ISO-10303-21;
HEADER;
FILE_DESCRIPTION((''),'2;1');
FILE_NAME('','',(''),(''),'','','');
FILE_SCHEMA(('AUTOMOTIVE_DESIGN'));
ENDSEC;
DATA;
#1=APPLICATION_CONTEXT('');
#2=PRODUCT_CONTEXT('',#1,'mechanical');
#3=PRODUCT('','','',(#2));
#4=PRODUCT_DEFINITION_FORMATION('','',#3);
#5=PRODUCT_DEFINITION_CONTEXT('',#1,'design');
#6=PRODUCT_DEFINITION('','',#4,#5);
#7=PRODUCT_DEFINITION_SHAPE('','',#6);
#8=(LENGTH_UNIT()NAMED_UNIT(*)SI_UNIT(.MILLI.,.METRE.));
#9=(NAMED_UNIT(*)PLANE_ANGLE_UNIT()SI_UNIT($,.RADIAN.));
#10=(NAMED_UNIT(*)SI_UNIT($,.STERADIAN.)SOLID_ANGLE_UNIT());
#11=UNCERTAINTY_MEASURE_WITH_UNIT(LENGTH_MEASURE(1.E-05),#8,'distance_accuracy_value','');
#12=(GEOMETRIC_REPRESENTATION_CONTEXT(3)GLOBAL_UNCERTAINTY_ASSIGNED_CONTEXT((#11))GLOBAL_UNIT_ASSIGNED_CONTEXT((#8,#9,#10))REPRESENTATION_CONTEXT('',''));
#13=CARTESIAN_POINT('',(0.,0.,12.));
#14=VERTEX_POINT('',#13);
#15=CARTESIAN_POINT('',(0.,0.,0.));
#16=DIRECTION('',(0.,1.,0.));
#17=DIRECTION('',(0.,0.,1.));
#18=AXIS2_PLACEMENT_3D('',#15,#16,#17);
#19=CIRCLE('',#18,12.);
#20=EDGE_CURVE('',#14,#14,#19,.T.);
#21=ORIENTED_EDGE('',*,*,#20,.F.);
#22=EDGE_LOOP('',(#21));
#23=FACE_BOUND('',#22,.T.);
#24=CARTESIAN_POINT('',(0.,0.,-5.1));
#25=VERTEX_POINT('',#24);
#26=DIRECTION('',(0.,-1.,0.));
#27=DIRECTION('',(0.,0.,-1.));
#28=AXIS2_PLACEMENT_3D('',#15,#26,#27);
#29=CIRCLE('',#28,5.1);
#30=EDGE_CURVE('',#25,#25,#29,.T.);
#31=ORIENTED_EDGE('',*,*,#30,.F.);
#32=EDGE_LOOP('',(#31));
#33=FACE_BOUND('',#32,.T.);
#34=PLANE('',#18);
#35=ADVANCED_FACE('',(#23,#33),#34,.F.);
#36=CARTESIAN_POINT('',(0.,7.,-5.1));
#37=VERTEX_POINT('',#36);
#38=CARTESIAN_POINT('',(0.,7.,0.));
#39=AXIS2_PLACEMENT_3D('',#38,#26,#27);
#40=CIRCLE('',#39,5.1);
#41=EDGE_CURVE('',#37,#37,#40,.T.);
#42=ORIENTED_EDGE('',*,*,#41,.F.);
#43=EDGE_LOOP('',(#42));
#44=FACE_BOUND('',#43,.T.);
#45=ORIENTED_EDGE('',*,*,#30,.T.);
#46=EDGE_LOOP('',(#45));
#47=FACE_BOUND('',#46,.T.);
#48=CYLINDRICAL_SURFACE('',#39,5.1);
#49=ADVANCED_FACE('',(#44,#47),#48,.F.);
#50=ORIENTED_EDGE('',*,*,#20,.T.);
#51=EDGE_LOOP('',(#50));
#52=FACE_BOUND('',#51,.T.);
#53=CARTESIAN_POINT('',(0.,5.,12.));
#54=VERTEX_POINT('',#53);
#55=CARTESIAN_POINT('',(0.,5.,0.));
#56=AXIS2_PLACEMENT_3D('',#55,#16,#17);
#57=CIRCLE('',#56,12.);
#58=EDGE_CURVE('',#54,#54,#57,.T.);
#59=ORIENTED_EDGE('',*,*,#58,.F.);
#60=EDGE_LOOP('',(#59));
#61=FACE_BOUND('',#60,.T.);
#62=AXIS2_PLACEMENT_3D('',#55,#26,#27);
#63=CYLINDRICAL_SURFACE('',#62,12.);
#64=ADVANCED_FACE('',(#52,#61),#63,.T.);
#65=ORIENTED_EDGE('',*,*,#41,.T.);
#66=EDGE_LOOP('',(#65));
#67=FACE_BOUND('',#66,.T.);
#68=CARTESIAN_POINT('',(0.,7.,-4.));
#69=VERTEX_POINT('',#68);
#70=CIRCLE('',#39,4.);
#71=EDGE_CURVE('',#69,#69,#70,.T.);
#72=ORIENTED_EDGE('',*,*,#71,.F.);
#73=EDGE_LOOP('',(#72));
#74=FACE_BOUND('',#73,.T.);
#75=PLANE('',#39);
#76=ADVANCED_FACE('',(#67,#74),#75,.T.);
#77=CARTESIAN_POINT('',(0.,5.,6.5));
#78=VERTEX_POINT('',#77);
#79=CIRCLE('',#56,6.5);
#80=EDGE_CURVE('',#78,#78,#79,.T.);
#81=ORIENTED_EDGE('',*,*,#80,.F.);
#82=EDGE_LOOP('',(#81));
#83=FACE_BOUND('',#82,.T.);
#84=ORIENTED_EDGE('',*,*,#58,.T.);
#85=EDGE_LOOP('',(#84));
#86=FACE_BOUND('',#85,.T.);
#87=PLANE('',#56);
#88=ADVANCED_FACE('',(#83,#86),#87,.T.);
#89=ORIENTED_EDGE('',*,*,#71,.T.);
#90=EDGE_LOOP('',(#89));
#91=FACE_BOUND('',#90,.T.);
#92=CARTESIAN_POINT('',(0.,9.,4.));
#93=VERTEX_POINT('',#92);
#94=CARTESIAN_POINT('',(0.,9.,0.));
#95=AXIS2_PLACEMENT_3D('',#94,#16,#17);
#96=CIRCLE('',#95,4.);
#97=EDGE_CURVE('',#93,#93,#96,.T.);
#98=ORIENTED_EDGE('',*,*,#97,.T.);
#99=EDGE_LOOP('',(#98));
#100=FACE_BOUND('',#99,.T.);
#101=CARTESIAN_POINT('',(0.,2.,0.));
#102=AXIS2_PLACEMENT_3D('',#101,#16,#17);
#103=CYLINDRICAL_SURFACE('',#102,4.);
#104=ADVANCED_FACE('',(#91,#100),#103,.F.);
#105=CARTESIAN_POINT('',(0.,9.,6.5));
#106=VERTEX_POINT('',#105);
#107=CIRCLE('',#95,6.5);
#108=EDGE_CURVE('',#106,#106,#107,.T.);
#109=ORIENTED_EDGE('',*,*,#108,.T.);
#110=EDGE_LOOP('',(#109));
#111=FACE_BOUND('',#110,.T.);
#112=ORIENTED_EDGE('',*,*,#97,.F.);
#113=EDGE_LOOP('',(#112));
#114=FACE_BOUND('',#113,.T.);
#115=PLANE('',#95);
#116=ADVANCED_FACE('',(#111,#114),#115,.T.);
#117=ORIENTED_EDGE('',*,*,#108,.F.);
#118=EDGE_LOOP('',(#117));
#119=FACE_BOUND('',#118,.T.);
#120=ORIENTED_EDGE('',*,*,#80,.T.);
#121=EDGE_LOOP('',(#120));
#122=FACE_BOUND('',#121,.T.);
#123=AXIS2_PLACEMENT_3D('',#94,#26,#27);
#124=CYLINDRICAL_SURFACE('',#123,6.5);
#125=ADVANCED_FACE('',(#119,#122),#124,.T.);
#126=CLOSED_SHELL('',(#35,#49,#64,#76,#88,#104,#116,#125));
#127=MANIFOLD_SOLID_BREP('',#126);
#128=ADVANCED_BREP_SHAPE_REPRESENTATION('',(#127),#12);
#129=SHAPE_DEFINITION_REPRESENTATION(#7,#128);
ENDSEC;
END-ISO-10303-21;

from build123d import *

# Parameters (mm, degrees)
SKETCH1_R           = 12
BOSS_EXTRUDE1_DEPTH = 5
SKETCH2_R           = 6.5
BOSS_EXTRUDE2_DEPTH = 4
SKETCH3_R           = 5.1
CUT_EXTRUDE1_DEPTH  = 7
SKETCH4_R           = 4
CUT_EXTRUDE2_DEPTH  = 7


with BuildPart() as part:
    # Sketch1 → Boss-Extrude1 (new body)
    with BuildSketch(Plane(origin=(0, 0, 0), x_dir=(1, 0, 0), z_dir=(0, 1, 0))):
        Circle(SKETCH1_R)
    extrude(amount=BOSS_EXTRUDE1_DEPTH)

    # Sketch2 → Boss-Extrude2 (add)
    with BuildSketch(Plane(origin=(0, 5, 0), x_dir=(1, 0, 0), z_dir=(0, 1, 0))):
        Circle(SKETCH2_R)
    extrude(amount=BOSS_EXTRUDE2_DEPTH)

    # Sketch3 → Cut-Extrude1 (cut)
    with BuildSketch(Plane.XZ):
        Circle(SKETCH3_R)
    extrude(amount=-CUT_EXTRUDE1_DEPTH, mode=Mode.SUBTRACT)

    # Sketch4 → Cut-Extrude2 (cut)
    with BuildSketch(Plane(origin=(0, 9, 0), x_dir=(1, 0, 0), z_dir=(0, 1, 0))):
        Circle(SKETCH4_R)
    extrude(amount=-CUT_EXTRUDE2_DEPTH, mode=Mode.SUBTRACT)


solid = part.part
